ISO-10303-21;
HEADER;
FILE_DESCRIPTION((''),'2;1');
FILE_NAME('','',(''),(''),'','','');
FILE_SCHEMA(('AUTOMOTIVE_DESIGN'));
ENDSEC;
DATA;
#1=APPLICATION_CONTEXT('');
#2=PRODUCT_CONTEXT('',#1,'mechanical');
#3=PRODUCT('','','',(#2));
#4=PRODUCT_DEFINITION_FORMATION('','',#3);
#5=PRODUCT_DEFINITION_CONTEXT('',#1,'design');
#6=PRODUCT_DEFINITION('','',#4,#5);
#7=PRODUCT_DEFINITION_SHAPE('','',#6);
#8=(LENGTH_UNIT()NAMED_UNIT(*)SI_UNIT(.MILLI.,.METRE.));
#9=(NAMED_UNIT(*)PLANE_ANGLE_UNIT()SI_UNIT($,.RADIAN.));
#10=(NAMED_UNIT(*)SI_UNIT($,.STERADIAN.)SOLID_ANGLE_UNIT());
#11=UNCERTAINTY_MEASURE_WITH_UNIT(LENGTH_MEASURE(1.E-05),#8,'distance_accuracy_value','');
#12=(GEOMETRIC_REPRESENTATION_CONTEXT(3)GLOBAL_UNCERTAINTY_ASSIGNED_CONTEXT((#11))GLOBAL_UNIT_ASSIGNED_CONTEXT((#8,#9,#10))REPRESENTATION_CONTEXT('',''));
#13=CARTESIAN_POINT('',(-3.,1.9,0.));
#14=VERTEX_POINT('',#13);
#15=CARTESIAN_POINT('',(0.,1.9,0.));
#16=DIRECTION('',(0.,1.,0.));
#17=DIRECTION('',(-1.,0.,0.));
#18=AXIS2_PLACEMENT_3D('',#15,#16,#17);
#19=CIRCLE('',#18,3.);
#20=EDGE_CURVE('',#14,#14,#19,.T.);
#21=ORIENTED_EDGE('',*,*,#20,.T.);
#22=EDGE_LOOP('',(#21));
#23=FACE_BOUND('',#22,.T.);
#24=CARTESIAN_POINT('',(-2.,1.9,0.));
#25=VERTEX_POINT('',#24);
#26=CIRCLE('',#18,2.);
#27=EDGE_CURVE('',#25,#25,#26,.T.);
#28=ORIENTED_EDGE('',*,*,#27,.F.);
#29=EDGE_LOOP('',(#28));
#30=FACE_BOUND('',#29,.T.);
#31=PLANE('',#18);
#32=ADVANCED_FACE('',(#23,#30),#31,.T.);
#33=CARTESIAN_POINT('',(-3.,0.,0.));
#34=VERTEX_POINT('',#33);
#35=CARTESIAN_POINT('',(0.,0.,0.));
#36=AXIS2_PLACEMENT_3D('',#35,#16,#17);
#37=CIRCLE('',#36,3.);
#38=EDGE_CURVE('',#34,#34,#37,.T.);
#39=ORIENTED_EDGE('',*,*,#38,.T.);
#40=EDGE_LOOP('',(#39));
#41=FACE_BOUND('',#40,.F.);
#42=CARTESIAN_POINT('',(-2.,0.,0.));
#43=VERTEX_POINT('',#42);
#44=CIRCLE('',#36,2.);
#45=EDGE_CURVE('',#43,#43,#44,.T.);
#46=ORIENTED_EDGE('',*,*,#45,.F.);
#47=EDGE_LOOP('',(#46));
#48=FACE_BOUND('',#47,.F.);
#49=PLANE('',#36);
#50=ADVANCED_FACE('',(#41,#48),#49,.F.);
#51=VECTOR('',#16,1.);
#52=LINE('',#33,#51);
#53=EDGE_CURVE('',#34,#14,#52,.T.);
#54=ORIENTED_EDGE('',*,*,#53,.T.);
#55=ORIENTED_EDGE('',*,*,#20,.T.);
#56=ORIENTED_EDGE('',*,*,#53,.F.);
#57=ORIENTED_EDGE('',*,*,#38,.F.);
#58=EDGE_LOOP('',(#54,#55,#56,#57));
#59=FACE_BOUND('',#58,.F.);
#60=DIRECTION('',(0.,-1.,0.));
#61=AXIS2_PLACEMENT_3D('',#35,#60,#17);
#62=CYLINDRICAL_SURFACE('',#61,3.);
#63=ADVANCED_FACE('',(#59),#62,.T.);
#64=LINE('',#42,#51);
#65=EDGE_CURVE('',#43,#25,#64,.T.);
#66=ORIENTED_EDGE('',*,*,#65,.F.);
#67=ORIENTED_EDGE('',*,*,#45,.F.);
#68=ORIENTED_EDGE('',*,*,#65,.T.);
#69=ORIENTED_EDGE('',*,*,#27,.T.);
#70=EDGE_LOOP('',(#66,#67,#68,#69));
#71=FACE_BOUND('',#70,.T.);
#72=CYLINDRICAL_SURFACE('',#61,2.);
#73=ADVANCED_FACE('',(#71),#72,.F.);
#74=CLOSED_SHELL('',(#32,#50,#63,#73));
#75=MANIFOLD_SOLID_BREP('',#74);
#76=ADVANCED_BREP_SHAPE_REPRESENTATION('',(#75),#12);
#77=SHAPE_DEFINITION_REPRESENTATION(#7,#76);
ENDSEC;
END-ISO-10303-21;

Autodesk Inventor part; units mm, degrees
ref_plane "YZ Plane" through (0, 0, 0) normal (1, 0, 0) x (0, 1, 0)
ref_plane "XZ Plane" through (0, 0, 0) normal (0, 1, 0) x (-1, 0, 0)
ref_plane "XY Plane" through (0, 0, 0) normal (0, 0, 1) x (1, 0, 0)
sketch "Sketch1" plane through (0, 0, 0) normal (0, 1, 0) x (-1, 0, 0)
  circle A0 centre (0, 0) radius 2
  circle A1 centre (0, 0) radius 3
  dimension "d0" = 4
  dimension "d1" = 6
extrude "Extrusion1" add sketch "Sketch1" along normal blind 1.9
properties part number "GearSpacer"
